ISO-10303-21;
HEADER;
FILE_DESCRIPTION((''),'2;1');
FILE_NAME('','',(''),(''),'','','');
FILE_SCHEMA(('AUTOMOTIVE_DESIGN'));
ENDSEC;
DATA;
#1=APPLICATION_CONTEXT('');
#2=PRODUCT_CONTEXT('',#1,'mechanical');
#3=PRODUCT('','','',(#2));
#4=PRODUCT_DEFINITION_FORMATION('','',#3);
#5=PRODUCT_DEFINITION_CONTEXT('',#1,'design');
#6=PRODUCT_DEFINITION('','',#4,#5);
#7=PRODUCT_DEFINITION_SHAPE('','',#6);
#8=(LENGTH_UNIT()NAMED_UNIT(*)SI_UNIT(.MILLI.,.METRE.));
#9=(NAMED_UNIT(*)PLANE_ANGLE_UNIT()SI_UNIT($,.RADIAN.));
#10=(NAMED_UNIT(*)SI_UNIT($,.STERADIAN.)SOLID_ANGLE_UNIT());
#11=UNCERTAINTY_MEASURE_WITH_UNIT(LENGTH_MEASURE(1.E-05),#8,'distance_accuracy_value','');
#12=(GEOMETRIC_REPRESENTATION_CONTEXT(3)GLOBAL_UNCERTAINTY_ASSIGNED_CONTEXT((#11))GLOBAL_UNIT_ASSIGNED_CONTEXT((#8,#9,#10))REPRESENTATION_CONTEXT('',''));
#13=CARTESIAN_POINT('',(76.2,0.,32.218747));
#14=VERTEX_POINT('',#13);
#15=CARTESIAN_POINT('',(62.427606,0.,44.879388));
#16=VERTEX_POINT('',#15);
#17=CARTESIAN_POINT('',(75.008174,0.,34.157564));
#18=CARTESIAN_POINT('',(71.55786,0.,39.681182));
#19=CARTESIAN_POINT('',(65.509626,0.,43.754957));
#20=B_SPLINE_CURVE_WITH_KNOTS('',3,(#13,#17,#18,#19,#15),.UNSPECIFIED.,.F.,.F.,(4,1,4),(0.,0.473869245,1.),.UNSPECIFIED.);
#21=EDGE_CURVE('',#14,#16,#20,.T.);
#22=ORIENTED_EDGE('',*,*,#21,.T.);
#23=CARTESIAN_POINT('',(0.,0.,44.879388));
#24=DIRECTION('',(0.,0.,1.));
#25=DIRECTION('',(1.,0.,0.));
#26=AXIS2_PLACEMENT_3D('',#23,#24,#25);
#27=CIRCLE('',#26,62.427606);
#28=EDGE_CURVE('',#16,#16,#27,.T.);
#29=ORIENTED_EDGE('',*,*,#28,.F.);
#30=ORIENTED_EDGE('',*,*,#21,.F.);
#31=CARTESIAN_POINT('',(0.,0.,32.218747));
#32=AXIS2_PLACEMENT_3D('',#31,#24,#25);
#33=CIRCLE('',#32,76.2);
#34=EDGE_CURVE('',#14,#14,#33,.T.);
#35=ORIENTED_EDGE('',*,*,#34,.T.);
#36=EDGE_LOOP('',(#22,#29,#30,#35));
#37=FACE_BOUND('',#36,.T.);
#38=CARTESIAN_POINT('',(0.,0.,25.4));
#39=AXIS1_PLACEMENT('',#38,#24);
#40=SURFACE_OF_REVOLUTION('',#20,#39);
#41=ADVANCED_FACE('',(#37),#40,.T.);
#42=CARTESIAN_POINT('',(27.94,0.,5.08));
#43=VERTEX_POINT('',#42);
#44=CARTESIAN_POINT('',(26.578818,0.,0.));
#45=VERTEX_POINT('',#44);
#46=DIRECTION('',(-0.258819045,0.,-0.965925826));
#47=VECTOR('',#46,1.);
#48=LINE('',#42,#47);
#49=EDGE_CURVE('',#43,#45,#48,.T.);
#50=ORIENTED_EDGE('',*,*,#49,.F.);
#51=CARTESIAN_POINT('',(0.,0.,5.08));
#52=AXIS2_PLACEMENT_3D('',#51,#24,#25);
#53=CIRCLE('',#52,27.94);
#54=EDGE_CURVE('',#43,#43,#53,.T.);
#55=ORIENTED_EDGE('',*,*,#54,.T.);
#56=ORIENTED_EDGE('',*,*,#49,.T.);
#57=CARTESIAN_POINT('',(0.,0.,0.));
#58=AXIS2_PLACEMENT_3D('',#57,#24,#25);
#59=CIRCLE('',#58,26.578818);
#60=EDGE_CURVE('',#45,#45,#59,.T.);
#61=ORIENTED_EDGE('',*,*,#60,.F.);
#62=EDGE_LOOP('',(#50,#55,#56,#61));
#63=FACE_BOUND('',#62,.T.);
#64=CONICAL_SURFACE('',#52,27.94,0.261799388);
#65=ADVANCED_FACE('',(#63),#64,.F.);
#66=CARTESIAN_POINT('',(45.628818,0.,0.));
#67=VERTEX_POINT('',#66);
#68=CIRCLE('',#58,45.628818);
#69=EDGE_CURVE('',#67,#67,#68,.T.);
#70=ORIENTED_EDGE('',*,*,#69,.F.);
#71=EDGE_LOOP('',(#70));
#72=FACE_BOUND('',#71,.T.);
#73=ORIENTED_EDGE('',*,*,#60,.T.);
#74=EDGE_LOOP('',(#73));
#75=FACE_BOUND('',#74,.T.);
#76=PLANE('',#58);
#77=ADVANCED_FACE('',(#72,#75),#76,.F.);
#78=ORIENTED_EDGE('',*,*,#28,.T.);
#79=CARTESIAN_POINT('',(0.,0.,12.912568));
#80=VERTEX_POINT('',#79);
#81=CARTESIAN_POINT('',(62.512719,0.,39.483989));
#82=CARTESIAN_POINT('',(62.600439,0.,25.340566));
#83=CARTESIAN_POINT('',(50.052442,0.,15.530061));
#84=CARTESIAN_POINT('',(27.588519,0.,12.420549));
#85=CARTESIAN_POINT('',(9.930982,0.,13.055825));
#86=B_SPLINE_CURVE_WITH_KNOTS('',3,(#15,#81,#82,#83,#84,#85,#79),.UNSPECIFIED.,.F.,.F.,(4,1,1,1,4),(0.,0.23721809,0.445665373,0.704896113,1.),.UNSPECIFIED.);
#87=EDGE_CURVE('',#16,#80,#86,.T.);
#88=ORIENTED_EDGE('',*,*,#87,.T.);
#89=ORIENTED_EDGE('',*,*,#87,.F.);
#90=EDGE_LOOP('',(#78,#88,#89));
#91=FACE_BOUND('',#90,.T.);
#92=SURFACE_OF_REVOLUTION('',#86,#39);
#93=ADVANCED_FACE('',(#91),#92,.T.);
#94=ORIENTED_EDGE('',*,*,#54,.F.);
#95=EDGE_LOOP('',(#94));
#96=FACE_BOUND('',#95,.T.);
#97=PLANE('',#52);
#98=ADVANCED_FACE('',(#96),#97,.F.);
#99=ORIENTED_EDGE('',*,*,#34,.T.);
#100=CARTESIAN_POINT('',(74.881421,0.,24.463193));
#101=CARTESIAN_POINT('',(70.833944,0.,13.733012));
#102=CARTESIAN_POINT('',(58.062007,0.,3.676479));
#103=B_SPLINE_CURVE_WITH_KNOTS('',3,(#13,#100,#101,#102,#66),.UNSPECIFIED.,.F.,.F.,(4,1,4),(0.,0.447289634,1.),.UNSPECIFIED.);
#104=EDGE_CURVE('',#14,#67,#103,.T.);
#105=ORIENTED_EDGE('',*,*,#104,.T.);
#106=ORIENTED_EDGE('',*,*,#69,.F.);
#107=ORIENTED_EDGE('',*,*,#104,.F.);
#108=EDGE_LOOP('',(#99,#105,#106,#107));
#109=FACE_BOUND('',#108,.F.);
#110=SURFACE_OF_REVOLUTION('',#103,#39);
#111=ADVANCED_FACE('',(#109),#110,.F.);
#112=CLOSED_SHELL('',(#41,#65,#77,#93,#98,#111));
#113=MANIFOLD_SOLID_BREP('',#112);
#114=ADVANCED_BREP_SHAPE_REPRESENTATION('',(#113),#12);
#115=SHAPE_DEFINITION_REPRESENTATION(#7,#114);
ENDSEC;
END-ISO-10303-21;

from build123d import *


with BuildPart() as f1:
    # F0 (on Front) → F1 (revolve)
    with BuildSketch(Plane.XZ):
        with BuildLine():
            Line((0, 12.9125677049), (0, 5.08))
            Line((0, 5.08), (27.94, 5.08))
            Line((27.94, 5.08), (26.5788181024, 0))
            Line((26.5788181024, 0), (45.6288181024, 0))
            add(Edge.make_bspline(
                [(76.2, 32.218746841), (74.8814208084, 24.4631925024), (70.8339436145, 13.7330115152), (58.062006921, 3.6764789456), (45.6288181024, 0)],
                knots=[0, 0, 0, 0, 0.4472896339, 1, 1, 1, 1], degree=3))
            add(Edge.make_bspline(
                [(76.2, 32.218746841), (75.008174271, 34.1575640558), (71.5578600737, 39.6811820412), (65.5096262036, 43.7549573981), (62.4276064336, 44.8793880641)],
                knots=[0, 0, 0, 0, 0.4738692448, 1, 1, 1, 1], degree=3))
            add(Edge.make_bspline(
                [(62.4276064336, 44.8793880641), (62.5127193848, 39.4839889314), (62.6004387207, 25.3405663102), (50.0524423637, 15.5300611231), (27.5885186708, 12.4205493761), (9.9309823936, 13.0558252777), (0, 12.9125677049)],
                knots=[0, 0, 0, 0, 0.2372180901, 0.4456653733, 0.7048961133, 1, 1, 1, 1], degree=3))
        make_face()
    revolve(axis=Axis((0, 0, 25.4), (0, 0, 1)))


solid = f1.part
